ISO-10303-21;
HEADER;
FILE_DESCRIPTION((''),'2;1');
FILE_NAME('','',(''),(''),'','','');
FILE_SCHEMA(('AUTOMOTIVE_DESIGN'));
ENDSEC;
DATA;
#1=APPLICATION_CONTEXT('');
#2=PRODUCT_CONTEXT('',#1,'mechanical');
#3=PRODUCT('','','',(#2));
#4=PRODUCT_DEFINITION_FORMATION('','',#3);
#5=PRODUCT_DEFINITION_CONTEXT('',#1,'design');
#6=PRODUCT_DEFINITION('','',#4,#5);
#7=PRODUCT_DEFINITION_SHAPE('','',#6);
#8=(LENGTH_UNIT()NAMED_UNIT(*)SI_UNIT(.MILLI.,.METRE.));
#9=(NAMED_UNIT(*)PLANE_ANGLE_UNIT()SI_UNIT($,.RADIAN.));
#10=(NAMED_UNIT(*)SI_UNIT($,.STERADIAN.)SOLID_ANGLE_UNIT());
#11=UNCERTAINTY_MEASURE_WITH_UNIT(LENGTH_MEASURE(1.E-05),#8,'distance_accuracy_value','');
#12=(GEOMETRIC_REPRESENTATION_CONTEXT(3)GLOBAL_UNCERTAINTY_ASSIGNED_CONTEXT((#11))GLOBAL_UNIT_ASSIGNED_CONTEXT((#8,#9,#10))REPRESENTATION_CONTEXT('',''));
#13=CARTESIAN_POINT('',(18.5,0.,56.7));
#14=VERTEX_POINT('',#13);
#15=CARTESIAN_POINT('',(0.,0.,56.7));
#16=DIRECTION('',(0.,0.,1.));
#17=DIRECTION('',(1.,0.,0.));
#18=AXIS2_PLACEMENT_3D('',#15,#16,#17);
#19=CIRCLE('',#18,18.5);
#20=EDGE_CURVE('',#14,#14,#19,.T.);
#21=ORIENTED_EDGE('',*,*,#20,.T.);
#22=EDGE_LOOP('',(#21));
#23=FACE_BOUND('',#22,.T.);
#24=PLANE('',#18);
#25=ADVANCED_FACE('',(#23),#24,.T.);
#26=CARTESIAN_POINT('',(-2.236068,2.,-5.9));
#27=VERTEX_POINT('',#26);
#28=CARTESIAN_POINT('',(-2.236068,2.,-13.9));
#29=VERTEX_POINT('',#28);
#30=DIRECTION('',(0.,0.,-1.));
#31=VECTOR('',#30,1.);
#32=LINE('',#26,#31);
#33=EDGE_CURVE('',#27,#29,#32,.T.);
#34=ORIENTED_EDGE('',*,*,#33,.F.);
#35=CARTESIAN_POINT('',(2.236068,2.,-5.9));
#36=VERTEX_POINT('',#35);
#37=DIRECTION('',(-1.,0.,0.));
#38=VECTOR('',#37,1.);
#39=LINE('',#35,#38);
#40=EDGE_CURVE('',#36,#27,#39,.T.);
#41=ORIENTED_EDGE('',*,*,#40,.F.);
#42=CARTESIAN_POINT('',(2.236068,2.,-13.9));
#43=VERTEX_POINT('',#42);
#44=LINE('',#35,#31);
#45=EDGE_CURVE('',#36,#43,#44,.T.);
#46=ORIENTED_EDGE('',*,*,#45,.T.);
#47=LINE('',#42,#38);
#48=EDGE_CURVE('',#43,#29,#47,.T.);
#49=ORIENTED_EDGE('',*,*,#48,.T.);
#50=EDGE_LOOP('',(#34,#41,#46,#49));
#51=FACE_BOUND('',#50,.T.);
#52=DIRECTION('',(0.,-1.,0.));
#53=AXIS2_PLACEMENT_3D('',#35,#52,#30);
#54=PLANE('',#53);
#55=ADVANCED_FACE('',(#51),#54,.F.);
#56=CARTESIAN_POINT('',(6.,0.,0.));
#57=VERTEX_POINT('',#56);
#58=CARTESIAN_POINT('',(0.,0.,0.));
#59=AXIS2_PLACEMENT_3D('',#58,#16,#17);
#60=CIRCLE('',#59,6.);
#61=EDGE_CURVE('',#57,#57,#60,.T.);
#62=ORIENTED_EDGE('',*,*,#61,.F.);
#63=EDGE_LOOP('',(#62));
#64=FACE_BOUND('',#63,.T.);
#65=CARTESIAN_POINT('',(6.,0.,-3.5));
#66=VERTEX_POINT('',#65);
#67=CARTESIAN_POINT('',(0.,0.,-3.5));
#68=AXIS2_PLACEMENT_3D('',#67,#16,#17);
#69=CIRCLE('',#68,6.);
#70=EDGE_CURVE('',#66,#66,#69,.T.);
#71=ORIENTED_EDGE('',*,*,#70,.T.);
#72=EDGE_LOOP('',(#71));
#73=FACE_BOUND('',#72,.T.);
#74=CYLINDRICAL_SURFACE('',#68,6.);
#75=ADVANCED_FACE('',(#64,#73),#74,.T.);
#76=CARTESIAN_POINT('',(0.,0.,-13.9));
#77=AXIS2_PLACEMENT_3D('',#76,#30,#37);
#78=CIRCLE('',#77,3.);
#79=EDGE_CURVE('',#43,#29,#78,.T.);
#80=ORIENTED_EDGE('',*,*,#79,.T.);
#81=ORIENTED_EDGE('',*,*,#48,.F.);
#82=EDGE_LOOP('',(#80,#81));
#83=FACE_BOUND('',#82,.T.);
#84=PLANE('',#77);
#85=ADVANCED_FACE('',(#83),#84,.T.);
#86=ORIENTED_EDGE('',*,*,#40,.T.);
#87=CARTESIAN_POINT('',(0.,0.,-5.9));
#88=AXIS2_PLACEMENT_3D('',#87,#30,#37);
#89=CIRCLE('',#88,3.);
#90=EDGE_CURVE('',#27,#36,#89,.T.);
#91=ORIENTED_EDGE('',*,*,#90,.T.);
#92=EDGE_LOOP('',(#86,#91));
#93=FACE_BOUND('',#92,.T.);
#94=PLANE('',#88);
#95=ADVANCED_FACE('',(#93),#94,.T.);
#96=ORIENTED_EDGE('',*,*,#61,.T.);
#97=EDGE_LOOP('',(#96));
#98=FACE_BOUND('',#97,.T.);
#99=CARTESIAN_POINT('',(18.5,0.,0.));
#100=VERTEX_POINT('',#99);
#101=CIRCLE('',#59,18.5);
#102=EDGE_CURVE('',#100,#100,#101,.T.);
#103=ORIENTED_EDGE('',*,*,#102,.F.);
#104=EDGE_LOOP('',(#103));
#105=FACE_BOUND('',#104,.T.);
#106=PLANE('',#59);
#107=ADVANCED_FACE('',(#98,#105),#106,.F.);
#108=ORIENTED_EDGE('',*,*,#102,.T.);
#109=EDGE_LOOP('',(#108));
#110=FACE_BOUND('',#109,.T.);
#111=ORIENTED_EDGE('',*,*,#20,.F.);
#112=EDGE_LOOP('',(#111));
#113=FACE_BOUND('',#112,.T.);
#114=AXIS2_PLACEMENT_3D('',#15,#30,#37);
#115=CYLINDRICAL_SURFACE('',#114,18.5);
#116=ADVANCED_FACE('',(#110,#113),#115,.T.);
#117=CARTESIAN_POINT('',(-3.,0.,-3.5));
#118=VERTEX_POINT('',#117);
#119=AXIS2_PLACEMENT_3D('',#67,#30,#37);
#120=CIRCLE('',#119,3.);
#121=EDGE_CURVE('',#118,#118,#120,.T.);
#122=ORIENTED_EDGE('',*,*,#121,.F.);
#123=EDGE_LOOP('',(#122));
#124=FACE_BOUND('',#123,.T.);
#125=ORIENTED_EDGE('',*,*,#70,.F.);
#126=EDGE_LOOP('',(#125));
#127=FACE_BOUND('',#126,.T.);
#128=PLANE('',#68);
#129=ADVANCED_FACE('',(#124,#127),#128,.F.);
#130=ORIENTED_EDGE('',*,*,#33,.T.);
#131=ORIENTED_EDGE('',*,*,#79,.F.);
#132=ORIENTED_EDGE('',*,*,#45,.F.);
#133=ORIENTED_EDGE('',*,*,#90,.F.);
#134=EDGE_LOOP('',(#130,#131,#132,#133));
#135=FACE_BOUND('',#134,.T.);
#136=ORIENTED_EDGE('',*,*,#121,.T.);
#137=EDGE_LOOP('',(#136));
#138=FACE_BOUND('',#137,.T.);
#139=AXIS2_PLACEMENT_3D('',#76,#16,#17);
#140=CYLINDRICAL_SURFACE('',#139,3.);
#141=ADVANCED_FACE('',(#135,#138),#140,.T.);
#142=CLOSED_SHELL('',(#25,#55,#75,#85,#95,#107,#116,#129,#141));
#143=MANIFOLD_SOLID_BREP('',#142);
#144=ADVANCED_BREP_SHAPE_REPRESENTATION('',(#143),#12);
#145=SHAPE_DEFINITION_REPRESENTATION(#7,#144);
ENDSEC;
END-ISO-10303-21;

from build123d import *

# Parameters (mm, degrees)
SKETCH1_R           = 18.5
BOSS_EXTRUDE1_DEPTH = 56.7
SKETCH3_R           = 6
BOSS_EXTRUDE2_DEPTH = 3.5
SKETCH4_R           = 3
BOSS_EXTRUDE3_DEPTH = 10.4
CUT_EXTRUDE1_START  = -8
CUT_EXTRUDE1_DEPTH  = 8


with BuildPart() as part:
    # Sketch1 → Boss-Extrude1 (new body)
    with BuildSketch(Plane.XY):
        Circle(SKETCH1_R)
    extrude(amount=BOSS_EXTRUDE1_DEPTH)

    # Sketch3 → Boss-Extrude2 (add)
    with BuildSketch(Plane.XY):
        Circle(SKETCH3_R)
    extrude(amount=-BOSS_EXTRUDE2_DEPTH)

    # Sketch4 → Boss-Extrude3 (add)
    with BuildSketch(Plane(origin=(0, 0, -3.5), x_dir=(-1, 0, 0), z_dir=(0, 0, -1))):
        Circle(SKETCH4_R)
    extrude(amount=BOSS_EXTRUDE3_DEPTH)

    # Sketch5 → Cut-Extrude1 (cut)
    with BuildSketch(Plane(origin=(0, 0, -13.9), x_dir=(-1, 0, 0), z_dir=(0, 0, -1)).offset(CUT_EXTRUDE1_START)):
        with BuildLine():
            Line((-2.236067977, 2), (2.236067977, 2))
            ThreePointArc((2.236067977, 2), (0, 3), (-2.236067977, 2))
        make_face()
    extrude(amount=CUT_EXTRUDE1_DEPTH, mode=Mode.SUBTRACT)


solid = part.part
